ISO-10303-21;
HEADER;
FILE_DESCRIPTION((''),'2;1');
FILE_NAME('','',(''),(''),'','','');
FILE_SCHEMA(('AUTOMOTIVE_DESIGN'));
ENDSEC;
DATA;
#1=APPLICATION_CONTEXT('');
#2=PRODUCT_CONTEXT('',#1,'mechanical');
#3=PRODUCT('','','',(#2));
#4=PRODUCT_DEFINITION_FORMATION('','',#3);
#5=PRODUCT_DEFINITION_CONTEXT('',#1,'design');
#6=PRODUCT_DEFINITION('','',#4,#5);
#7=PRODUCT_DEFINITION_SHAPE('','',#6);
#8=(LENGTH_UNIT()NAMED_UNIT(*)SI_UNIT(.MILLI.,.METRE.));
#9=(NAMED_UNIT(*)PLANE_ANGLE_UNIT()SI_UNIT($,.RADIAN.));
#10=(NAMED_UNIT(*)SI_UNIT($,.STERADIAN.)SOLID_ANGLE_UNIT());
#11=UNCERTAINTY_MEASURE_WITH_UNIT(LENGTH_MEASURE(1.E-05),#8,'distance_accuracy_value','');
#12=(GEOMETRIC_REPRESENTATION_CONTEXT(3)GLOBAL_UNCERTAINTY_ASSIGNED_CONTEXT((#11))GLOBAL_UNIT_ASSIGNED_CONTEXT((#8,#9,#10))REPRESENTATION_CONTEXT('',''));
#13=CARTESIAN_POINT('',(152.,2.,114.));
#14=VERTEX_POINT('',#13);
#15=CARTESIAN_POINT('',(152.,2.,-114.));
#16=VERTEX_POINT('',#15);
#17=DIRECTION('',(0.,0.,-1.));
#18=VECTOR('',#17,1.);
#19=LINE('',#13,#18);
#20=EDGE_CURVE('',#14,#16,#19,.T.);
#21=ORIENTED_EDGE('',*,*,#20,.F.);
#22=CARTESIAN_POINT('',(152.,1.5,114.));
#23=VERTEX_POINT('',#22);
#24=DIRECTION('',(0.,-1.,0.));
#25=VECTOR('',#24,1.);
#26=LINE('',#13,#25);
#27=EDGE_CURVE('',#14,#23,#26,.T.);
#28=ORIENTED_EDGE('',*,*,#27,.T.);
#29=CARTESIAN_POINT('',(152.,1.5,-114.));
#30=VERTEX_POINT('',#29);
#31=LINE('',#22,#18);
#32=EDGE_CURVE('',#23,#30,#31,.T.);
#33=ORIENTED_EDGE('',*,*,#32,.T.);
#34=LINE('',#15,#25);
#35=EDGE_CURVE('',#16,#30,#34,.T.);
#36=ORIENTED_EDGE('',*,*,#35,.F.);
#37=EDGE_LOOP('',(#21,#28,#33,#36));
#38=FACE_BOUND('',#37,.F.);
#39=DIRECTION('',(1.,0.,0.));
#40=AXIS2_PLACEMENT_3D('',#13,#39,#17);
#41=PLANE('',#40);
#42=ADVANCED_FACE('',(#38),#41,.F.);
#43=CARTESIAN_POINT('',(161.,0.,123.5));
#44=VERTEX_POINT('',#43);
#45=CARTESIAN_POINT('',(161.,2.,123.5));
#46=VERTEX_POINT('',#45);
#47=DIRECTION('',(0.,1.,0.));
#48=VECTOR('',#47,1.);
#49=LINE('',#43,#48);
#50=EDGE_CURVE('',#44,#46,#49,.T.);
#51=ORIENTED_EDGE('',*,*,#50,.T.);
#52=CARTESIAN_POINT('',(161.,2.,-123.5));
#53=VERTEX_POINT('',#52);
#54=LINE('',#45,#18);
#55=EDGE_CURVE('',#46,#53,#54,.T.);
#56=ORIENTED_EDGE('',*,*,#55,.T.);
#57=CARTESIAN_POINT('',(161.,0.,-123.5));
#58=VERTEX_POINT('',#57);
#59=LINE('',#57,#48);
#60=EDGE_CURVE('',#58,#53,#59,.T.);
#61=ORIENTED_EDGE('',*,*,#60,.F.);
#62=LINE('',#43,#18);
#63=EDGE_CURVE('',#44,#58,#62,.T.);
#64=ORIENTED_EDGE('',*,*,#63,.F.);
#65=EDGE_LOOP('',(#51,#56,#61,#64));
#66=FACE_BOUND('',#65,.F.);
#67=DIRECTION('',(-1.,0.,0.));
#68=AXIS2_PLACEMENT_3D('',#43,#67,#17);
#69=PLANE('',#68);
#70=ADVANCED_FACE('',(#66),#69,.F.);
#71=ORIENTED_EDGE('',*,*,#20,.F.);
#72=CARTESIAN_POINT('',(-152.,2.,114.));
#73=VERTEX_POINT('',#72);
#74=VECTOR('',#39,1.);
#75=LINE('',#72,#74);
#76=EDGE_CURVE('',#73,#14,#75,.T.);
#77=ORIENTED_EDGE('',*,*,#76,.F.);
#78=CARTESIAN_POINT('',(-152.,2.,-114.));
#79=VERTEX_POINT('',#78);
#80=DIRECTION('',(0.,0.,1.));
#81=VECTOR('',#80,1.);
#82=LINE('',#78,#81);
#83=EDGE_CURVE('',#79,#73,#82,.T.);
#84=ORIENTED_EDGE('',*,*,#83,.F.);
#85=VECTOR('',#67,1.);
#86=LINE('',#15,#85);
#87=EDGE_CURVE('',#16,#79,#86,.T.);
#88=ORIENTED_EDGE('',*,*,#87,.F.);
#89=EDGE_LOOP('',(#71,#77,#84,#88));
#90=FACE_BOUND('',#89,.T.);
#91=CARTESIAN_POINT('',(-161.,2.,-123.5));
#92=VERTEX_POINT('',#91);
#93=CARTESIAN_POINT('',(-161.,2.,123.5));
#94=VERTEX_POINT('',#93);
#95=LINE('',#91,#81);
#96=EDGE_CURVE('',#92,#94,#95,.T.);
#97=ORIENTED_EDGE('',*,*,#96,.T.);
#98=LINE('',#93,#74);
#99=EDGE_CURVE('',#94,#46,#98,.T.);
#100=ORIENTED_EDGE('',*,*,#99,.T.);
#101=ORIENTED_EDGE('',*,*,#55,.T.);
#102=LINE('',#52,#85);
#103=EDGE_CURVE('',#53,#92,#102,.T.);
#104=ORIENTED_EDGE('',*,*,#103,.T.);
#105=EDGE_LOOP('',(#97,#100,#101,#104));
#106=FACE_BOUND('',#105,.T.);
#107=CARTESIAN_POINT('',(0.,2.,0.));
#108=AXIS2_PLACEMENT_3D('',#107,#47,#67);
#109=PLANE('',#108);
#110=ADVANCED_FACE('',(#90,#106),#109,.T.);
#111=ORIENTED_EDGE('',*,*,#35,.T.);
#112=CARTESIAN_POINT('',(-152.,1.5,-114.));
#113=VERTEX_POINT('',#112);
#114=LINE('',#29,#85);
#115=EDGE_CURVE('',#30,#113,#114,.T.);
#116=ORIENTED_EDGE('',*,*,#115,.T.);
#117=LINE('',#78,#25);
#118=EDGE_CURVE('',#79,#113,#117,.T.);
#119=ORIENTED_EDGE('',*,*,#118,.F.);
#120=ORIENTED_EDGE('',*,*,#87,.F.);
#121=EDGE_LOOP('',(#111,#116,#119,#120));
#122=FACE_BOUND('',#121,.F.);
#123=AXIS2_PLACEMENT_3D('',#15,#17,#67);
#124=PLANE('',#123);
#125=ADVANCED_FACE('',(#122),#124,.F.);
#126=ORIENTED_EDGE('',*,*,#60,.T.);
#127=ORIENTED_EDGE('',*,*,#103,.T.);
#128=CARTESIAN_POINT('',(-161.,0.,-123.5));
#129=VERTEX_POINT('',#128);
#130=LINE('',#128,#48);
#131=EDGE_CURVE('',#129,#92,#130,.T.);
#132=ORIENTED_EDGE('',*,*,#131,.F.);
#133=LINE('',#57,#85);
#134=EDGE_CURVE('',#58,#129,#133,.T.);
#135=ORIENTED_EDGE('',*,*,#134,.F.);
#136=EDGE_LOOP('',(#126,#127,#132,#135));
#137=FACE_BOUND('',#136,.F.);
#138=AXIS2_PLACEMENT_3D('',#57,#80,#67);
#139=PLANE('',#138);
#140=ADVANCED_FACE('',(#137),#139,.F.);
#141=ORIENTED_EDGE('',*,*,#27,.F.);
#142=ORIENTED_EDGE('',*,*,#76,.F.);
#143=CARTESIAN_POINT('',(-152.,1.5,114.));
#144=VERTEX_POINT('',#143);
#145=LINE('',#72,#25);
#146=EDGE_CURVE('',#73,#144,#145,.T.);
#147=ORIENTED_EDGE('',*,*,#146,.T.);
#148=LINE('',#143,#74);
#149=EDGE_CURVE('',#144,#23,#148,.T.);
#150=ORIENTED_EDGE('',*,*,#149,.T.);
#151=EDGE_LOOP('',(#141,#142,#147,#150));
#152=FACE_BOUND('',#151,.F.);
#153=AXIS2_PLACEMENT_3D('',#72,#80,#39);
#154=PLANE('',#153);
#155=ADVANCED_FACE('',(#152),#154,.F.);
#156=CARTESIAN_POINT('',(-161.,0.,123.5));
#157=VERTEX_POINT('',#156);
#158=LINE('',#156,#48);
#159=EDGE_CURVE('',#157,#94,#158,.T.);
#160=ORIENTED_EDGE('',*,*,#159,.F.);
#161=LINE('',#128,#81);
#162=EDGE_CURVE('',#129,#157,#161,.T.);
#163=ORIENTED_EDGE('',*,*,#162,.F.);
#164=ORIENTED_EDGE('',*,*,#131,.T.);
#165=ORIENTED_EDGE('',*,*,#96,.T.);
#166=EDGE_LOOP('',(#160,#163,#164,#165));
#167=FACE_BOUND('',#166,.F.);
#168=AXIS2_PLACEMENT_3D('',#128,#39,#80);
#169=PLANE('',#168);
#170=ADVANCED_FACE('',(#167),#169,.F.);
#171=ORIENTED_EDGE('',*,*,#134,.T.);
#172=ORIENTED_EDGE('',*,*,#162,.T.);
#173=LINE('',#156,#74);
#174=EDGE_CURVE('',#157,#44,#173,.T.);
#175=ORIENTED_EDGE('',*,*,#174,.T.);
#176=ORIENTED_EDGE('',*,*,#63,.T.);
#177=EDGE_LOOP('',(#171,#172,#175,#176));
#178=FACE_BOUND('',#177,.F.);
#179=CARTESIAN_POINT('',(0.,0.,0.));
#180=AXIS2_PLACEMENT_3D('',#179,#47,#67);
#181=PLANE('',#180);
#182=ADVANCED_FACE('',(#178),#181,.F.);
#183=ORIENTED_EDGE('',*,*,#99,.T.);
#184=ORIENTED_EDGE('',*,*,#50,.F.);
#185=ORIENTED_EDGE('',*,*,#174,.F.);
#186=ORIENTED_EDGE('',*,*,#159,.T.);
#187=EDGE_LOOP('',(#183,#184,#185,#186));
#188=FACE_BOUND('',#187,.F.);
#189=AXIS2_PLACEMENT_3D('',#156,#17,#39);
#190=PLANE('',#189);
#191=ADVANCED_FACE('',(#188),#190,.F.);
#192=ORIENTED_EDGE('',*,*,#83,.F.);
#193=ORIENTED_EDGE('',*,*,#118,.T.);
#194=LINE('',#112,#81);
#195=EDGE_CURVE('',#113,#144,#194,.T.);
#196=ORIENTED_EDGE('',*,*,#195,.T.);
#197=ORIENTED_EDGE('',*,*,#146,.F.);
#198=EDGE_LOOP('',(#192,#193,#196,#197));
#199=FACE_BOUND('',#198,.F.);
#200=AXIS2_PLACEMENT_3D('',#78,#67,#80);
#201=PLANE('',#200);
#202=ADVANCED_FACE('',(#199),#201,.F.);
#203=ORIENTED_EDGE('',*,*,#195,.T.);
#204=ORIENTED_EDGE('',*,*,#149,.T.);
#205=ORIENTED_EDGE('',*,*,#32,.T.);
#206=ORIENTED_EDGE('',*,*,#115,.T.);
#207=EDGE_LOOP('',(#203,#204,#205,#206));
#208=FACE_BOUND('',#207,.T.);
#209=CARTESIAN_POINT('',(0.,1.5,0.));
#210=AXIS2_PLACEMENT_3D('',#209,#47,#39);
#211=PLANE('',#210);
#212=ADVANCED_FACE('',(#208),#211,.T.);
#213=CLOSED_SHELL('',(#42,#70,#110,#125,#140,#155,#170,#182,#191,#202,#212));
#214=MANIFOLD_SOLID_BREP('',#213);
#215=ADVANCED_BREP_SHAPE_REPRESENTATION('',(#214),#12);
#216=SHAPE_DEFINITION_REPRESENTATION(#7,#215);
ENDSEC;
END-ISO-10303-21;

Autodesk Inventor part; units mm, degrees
ref_plane "YZ Plane" through (0, 0, 0) normal (1, 0, 0) x (0, 1, 0)
ref_plane "XZ Plane" through (0, 0, 0) normal (0, 1, 0) x (-1, 0, 0)
ref_plane "XY Plane" through (0, 0, 0) normal (0, 0, 1) x (1, 0, 0)
sketch "Szkic1" plane through (0, 0, 0) normal (0, 1, 0) x (-1, 0, 0)
  line L0 (-161, -123.5) -> (161, -123.5)
  line L1 (161, -123.5) -> (161, 123.5)
  line L2 (161, 123.5) -> (-161, 123.5)
  line L3 (-161, 123.5) -> (-161, -123.5)
  line L4 (-161, -123.5) -> (161, 123.5) construction
  line L5 (161, -123.5) -> (-161, 123.5) construction
  point P0 (0, 0)
  dimension "d0" = 322
  dimension "d1" = 247
extrude "Wyciągnięcie proste1" add sketch "Szkic1" along normal blind 2
sketch "Szkic2" plane through (0, 2, 0) normal (0, 1, 0) x (1, 0, 0)
  line L0 (161, 123.5) -> (-161, 123.5) projected
  line L1 (-161, 123.5) -> (-161, -123.5) projected
  line L2 (-161, -123.5) -> (161, -123.5) projected
  line L3 (161, -123.5) -> (161, 123.5) projected
  line L4 (152, 114) -> (-152, 114)
  line L5 (-152, 114) -> (-152, -114)
  line L6 (-152, -114) -> (152, -114)
  line L7 (152, -114) -> (152, 114)
  line L8 (152, 114) -> (-152, -114) construction
  line L9 (-152, 114) -> (152, -114) construction
  point P0 (0, 0)
  dimension "d11" = 9
  dimension "d12" = 9
  dimension "d13" = 9.5
  dimension "d14" = 9.5
extrude "Wyciągnięcie proste3" cut sketch "Szkic2" against normal blind 0.5 contours L7 L6 L5 L4
equation "\"d14\" = d13"
properties part number "resistive_panel_12.1" material "Szkło"
